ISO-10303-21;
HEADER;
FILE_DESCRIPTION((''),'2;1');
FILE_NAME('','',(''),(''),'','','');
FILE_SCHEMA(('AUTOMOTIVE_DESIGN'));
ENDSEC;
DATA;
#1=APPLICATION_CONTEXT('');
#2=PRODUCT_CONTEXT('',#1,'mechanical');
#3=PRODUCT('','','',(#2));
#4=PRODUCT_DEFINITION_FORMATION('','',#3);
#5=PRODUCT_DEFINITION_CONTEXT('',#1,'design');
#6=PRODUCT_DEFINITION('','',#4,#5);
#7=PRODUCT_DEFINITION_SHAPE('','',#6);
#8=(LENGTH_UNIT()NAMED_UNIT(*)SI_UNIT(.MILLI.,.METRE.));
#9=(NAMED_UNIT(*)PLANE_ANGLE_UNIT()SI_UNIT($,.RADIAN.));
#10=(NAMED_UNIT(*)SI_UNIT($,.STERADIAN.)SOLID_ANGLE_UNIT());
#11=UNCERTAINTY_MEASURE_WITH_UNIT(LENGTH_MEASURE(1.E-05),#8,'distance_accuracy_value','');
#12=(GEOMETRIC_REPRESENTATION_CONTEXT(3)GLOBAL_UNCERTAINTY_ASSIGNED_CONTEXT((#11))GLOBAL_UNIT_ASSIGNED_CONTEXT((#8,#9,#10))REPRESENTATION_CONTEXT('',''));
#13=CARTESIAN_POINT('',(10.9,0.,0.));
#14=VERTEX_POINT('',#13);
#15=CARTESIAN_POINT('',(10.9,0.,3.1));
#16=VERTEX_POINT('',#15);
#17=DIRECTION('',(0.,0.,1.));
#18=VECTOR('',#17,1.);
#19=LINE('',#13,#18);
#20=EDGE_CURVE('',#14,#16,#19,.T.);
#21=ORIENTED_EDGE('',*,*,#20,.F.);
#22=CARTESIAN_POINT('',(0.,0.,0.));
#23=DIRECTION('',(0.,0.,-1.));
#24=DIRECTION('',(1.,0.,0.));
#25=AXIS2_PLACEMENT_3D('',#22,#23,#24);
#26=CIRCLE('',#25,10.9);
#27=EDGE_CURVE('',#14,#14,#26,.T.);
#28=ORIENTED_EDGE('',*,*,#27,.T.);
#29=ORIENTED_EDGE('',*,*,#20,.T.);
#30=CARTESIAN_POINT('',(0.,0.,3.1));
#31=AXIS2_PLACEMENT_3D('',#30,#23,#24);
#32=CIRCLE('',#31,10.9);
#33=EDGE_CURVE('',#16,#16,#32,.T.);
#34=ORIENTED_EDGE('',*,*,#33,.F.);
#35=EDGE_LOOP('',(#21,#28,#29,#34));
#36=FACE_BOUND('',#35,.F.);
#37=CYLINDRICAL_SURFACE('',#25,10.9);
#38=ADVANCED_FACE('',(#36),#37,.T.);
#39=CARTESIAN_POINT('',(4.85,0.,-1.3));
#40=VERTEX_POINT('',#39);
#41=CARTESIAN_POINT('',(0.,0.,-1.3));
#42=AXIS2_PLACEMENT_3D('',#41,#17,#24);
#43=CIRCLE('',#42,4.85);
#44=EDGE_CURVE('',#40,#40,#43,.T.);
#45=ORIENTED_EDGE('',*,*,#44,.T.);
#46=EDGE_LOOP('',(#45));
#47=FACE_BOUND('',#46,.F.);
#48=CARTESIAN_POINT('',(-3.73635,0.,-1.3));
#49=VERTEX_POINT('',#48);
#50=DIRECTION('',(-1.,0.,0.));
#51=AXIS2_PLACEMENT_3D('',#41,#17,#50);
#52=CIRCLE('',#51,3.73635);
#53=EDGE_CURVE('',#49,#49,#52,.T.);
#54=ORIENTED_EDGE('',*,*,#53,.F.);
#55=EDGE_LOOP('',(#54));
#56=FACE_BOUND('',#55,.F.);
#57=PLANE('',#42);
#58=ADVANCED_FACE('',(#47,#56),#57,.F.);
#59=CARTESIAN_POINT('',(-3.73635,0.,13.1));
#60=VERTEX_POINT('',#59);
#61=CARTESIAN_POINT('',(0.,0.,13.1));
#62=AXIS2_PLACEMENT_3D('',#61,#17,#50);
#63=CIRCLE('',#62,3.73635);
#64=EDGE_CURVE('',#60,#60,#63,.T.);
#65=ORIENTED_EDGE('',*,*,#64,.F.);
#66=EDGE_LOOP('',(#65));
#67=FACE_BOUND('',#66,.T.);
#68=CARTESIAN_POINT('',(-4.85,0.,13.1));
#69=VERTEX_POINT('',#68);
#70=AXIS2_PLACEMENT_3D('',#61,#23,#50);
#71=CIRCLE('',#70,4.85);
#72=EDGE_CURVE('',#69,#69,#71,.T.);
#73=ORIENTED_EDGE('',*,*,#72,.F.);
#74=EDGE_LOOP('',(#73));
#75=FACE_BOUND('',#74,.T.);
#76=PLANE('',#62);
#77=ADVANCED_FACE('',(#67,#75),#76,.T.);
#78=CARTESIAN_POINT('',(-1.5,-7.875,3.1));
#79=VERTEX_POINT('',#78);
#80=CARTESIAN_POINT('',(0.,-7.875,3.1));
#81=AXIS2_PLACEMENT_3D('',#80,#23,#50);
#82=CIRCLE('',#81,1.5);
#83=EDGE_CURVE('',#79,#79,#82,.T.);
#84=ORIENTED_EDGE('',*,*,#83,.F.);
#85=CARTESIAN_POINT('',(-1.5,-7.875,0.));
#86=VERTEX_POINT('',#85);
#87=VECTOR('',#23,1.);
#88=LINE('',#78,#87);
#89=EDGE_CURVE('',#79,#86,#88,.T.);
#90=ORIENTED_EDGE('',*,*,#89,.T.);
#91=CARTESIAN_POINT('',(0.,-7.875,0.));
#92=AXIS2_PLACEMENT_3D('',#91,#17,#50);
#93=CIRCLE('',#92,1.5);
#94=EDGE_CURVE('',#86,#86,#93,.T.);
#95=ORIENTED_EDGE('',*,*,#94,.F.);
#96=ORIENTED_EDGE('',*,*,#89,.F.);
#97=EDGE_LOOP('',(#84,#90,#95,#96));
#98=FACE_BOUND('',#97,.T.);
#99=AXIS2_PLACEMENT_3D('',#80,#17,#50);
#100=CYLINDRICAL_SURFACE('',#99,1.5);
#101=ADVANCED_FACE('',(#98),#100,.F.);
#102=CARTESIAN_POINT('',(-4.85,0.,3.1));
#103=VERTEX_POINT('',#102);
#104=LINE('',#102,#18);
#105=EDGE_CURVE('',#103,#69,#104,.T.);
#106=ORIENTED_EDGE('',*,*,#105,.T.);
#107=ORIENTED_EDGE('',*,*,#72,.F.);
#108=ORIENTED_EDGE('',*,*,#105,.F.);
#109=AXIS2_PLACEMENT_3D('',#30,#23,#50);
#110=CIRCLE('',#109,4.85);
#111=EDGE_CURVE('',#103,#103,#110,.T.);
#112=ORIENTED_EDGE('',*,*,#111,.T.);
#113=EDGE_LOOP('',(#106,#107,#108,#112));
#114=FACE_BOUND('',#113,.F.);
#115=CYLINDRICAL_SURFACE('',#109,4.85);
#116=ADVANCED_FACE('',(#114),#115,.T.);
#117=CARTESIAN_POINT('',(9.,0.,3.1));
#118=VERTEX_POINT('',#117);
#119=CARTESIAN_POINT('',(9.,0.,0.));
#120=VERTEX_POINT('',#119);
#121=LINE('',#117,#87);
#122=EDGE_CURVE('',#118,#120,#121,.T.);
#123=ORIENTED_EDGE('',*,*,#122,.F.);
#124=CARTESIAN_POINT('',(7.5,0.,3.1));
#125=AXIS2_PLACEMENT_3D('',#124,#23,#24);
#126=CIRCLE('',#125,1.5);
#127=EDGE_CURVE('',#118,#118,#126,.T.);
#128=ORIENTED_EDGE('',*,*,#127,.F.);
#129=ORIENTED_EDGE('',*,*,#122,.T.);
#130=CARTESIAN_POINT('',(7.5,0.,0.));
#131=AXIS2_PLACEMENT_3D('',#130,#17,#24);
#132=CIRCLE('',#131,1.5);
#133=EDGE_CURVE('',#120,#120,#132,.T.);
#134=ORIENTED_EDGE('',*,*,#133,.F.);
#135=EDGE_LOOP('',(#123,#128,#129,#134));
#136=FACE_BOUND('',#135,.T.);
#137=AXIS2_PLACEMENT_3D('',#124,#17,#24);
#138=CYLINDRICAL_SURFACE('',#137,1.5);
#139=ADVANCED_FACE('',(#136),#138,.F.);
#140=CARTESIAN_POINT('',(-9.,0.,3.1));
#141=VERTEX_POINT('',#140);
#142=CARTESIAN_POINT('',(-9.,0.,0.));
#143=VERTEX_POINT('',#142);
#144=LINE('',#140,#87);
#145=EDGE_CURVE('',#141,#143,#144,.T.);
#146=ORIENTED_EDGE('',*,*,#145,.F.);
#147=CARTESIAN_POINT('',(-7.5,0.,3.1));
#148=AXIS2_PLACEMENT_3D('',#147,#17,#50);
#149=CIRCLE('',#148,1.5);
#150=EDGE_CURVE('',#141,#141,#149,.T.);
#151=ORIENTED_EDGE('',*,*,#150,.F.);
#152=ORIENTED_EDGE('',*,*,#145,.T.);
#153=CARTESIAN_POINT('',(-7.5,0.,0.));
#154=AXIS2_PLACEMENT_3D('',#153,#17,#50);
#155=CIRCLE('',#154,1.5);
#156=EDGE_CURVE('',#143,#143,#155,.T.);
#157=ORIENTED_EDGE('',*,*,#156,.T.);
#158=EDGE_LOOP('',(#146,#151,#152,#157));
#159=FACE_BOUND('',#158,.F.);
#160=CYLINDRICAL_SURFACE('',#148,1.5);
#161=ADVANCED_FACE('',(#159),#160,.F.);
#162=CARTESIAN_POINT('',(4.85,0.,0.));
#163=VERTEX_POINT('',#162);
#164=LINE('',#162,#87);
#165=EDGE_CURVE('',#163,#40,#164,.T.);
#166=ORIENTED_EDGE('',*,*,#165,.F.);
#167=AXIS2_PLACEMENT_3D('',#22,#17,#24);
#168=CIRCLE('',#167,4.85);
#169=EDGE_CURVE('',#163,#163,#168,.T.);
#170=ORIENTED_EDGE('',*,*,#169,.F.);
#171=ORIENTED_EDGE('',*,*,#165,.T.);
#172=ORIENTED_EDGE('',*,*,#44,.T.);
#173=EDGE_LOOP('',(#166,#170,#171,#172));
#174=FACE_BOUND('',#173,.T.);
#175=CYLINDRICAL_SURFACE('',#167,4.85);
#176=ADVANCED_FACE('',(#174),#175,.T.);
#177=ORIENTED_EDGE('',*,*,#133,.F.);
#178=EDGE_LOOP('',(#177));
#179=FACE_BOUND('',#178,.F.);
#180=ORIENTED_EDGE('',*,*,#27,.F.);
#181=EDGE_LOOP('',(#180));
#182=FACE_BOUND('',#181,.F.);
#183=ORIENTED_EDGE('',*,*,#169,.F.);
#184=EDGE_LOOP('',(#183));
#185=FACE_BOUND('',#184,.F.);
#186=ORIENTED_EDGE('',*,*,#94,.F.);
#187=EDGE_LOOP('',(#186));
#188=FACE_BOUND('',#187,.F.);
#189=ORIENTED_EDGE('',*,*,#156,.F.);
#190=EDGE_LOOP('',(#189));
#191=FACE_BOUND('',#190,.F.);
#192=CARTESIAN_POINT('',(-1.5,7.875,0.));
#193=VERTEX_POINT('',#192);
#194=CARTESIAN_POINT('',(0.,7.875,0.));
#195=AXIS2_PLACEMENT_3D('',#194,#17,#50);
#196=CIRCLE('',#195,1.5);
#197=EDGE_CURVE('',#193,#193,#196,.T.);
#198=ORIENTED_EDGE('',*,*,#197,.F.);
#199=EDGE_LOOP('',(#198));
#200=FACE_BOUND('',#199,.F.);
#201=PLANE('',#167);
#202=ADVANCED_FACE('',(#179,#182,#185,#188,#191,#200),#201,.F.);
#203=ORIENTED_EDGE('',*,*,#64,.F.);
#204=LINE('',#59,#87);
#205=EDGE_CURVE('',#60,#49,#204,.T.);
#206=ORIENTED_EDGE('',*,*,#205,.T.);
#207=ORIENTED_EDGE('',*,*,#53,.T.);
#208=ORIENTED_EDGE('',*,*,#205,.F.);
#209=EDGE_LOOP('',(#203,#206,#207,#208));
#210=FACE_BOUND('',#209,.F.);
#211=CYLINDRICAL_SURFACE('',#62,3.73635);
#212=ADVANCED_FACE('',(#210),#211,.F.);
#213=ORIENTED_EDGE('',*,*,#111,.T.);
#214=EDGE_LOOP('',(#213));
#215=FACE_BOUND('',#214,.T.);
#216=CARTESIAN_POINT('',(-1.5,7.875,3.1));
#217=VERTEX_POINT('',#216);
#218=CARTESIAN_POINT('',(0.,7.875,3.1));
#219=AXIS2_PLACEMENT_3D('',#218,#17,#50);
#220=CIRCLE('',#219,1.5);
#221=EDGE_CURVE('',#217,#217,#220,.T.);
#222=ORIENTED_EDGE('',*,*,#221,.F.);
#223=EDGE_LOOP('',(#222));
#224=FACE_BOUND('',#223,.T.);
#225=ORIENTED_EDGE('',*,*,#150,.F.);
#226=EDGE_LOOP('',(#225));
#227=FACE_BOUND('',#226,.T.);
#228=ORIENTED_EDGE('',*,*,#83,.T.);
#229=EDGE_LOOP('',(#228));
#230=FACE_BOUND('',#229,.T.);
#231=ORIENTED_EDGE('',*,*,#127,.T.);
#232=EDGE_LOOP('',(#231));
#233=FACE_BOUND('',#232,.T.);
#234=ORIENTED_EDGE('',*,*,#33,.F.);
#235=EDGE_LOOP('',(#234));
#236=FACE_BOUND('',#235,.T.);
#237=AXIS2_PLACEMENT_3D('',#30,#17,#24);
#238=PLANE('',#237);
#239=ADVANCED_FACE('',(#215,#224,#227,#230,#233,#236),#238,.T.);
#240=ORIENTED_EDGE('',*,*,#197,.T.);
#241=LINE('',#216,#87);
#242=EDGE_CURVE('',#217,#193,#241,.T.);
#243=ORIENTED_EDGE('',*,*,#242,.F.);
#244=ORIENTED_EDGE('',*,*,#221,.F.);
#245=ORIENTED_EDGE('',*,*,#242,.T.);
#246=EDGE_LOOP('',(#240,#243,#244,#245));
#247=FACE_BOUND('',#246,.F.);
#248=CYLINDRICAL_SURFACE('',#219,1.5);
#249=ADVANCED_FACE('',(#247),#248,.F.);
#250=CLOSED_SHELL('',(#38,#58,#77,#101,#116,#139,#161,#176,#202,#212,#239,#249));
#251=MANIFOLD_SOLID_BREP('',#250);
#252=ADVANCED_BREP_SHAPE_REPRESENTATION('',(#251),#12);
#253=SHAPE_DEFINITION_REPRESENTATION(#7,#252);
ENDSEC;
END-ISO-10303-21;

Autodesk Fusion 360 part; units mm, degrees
sketch "Sketch1" plane through (0, 0, 0) normal (0, 0, 1) x (1, 0, 0)
  circle A0 centre (0, 0) radius 10.9
  dimension "d1" = 21.8
extrude "Extrude1" add sketch "Sketch1" along normal blind 3.1
sketch "Sketch2" plane through (0, 0, 3.1) normal (0, 0, 1) x (-1, 0, 0)
  circle A0 centre (0, 0) radius 10.9
  circle A1 centre (0, 0) radius 4.85
  dimension "d4" = 9.7
extrude "Extrude2" add sketch "Sketch2" along normal blind 10 contours A1
sketch "Sketch3" plane through (0, 0, 0) normal (0, 0, 1) x (1, 0, 0)
  circle A0 centre (0, 0) radius 4.85
  dimension "d7" = 9.7
extrude "Extrude3" add sketch "Sketch3" against normal blind 1.3
sketch "Sketch4" plane through (0, 0, 13.1) normal (0, 0, 1) x (-1, 0, 0)
  circle A0 centre (0, 0) radius 4.85
  circle A1 centre (0, 0) radius 3.5
  dimension "d10" = 7
extrude "Extrude4" cut sketch "Sketch4" against normal through all contours A1
thread "Thread1" "ACME Screw Threads 3/8 0.3750 0.3750 4G" major diameter 9.906 minor diameter 7.4727 pitch 2.1167 angle 29 resizes the face on face at (-3.4826, 0.3485, 8.3)
sketch "Sketch5" plane through (0, 0, 3.1) normal (0, 0, 1) x (-1, 0, 0)
  circle A0 centre (0, 0) radius 4.85
  circle A1 centre (0, 0) radius 10.9
  line L0 (-10.9, 0) -> (10.9, 0) construction
  circle A2 centre (7.5, 0) radius 1.5
  circle A3 centre (7.5, 0) radius 1.5
  dimension "d14" = 3
  dimension "d18" = 3
extrude "Extrude5" cut sketch "Sketch5" against normal through all contours A2 A3
mirror "Mirror1" about plane through (0, 0, 0) normal (1, 0, 0) of "Extrude5"
sketch "Sketch6" plane through (0, 0, 3.1) normal (0, 0, 1) x (-1, 0, 0)
  circle A0 centre (-7.5, 0) radius 1.5
  circle A1 centre (7.5, 0) radius 1.5
  circle A2 centre (0, 0) radius 4.85
  circle A3 centre (0, 0) radius 10.9
  circle A4 centre (0, -7.875) radius 1.5
  line L0 (0, -4.85) -> (0, -10.9) construction
  dimension "d19" = 3
extrude "Extrude6" cut sketch "Sketch6" against normal through all contours A4
mirror "Mirror2" about plane through (0, 0, 0) normal (0, 1, 0) of "Extrude6"
